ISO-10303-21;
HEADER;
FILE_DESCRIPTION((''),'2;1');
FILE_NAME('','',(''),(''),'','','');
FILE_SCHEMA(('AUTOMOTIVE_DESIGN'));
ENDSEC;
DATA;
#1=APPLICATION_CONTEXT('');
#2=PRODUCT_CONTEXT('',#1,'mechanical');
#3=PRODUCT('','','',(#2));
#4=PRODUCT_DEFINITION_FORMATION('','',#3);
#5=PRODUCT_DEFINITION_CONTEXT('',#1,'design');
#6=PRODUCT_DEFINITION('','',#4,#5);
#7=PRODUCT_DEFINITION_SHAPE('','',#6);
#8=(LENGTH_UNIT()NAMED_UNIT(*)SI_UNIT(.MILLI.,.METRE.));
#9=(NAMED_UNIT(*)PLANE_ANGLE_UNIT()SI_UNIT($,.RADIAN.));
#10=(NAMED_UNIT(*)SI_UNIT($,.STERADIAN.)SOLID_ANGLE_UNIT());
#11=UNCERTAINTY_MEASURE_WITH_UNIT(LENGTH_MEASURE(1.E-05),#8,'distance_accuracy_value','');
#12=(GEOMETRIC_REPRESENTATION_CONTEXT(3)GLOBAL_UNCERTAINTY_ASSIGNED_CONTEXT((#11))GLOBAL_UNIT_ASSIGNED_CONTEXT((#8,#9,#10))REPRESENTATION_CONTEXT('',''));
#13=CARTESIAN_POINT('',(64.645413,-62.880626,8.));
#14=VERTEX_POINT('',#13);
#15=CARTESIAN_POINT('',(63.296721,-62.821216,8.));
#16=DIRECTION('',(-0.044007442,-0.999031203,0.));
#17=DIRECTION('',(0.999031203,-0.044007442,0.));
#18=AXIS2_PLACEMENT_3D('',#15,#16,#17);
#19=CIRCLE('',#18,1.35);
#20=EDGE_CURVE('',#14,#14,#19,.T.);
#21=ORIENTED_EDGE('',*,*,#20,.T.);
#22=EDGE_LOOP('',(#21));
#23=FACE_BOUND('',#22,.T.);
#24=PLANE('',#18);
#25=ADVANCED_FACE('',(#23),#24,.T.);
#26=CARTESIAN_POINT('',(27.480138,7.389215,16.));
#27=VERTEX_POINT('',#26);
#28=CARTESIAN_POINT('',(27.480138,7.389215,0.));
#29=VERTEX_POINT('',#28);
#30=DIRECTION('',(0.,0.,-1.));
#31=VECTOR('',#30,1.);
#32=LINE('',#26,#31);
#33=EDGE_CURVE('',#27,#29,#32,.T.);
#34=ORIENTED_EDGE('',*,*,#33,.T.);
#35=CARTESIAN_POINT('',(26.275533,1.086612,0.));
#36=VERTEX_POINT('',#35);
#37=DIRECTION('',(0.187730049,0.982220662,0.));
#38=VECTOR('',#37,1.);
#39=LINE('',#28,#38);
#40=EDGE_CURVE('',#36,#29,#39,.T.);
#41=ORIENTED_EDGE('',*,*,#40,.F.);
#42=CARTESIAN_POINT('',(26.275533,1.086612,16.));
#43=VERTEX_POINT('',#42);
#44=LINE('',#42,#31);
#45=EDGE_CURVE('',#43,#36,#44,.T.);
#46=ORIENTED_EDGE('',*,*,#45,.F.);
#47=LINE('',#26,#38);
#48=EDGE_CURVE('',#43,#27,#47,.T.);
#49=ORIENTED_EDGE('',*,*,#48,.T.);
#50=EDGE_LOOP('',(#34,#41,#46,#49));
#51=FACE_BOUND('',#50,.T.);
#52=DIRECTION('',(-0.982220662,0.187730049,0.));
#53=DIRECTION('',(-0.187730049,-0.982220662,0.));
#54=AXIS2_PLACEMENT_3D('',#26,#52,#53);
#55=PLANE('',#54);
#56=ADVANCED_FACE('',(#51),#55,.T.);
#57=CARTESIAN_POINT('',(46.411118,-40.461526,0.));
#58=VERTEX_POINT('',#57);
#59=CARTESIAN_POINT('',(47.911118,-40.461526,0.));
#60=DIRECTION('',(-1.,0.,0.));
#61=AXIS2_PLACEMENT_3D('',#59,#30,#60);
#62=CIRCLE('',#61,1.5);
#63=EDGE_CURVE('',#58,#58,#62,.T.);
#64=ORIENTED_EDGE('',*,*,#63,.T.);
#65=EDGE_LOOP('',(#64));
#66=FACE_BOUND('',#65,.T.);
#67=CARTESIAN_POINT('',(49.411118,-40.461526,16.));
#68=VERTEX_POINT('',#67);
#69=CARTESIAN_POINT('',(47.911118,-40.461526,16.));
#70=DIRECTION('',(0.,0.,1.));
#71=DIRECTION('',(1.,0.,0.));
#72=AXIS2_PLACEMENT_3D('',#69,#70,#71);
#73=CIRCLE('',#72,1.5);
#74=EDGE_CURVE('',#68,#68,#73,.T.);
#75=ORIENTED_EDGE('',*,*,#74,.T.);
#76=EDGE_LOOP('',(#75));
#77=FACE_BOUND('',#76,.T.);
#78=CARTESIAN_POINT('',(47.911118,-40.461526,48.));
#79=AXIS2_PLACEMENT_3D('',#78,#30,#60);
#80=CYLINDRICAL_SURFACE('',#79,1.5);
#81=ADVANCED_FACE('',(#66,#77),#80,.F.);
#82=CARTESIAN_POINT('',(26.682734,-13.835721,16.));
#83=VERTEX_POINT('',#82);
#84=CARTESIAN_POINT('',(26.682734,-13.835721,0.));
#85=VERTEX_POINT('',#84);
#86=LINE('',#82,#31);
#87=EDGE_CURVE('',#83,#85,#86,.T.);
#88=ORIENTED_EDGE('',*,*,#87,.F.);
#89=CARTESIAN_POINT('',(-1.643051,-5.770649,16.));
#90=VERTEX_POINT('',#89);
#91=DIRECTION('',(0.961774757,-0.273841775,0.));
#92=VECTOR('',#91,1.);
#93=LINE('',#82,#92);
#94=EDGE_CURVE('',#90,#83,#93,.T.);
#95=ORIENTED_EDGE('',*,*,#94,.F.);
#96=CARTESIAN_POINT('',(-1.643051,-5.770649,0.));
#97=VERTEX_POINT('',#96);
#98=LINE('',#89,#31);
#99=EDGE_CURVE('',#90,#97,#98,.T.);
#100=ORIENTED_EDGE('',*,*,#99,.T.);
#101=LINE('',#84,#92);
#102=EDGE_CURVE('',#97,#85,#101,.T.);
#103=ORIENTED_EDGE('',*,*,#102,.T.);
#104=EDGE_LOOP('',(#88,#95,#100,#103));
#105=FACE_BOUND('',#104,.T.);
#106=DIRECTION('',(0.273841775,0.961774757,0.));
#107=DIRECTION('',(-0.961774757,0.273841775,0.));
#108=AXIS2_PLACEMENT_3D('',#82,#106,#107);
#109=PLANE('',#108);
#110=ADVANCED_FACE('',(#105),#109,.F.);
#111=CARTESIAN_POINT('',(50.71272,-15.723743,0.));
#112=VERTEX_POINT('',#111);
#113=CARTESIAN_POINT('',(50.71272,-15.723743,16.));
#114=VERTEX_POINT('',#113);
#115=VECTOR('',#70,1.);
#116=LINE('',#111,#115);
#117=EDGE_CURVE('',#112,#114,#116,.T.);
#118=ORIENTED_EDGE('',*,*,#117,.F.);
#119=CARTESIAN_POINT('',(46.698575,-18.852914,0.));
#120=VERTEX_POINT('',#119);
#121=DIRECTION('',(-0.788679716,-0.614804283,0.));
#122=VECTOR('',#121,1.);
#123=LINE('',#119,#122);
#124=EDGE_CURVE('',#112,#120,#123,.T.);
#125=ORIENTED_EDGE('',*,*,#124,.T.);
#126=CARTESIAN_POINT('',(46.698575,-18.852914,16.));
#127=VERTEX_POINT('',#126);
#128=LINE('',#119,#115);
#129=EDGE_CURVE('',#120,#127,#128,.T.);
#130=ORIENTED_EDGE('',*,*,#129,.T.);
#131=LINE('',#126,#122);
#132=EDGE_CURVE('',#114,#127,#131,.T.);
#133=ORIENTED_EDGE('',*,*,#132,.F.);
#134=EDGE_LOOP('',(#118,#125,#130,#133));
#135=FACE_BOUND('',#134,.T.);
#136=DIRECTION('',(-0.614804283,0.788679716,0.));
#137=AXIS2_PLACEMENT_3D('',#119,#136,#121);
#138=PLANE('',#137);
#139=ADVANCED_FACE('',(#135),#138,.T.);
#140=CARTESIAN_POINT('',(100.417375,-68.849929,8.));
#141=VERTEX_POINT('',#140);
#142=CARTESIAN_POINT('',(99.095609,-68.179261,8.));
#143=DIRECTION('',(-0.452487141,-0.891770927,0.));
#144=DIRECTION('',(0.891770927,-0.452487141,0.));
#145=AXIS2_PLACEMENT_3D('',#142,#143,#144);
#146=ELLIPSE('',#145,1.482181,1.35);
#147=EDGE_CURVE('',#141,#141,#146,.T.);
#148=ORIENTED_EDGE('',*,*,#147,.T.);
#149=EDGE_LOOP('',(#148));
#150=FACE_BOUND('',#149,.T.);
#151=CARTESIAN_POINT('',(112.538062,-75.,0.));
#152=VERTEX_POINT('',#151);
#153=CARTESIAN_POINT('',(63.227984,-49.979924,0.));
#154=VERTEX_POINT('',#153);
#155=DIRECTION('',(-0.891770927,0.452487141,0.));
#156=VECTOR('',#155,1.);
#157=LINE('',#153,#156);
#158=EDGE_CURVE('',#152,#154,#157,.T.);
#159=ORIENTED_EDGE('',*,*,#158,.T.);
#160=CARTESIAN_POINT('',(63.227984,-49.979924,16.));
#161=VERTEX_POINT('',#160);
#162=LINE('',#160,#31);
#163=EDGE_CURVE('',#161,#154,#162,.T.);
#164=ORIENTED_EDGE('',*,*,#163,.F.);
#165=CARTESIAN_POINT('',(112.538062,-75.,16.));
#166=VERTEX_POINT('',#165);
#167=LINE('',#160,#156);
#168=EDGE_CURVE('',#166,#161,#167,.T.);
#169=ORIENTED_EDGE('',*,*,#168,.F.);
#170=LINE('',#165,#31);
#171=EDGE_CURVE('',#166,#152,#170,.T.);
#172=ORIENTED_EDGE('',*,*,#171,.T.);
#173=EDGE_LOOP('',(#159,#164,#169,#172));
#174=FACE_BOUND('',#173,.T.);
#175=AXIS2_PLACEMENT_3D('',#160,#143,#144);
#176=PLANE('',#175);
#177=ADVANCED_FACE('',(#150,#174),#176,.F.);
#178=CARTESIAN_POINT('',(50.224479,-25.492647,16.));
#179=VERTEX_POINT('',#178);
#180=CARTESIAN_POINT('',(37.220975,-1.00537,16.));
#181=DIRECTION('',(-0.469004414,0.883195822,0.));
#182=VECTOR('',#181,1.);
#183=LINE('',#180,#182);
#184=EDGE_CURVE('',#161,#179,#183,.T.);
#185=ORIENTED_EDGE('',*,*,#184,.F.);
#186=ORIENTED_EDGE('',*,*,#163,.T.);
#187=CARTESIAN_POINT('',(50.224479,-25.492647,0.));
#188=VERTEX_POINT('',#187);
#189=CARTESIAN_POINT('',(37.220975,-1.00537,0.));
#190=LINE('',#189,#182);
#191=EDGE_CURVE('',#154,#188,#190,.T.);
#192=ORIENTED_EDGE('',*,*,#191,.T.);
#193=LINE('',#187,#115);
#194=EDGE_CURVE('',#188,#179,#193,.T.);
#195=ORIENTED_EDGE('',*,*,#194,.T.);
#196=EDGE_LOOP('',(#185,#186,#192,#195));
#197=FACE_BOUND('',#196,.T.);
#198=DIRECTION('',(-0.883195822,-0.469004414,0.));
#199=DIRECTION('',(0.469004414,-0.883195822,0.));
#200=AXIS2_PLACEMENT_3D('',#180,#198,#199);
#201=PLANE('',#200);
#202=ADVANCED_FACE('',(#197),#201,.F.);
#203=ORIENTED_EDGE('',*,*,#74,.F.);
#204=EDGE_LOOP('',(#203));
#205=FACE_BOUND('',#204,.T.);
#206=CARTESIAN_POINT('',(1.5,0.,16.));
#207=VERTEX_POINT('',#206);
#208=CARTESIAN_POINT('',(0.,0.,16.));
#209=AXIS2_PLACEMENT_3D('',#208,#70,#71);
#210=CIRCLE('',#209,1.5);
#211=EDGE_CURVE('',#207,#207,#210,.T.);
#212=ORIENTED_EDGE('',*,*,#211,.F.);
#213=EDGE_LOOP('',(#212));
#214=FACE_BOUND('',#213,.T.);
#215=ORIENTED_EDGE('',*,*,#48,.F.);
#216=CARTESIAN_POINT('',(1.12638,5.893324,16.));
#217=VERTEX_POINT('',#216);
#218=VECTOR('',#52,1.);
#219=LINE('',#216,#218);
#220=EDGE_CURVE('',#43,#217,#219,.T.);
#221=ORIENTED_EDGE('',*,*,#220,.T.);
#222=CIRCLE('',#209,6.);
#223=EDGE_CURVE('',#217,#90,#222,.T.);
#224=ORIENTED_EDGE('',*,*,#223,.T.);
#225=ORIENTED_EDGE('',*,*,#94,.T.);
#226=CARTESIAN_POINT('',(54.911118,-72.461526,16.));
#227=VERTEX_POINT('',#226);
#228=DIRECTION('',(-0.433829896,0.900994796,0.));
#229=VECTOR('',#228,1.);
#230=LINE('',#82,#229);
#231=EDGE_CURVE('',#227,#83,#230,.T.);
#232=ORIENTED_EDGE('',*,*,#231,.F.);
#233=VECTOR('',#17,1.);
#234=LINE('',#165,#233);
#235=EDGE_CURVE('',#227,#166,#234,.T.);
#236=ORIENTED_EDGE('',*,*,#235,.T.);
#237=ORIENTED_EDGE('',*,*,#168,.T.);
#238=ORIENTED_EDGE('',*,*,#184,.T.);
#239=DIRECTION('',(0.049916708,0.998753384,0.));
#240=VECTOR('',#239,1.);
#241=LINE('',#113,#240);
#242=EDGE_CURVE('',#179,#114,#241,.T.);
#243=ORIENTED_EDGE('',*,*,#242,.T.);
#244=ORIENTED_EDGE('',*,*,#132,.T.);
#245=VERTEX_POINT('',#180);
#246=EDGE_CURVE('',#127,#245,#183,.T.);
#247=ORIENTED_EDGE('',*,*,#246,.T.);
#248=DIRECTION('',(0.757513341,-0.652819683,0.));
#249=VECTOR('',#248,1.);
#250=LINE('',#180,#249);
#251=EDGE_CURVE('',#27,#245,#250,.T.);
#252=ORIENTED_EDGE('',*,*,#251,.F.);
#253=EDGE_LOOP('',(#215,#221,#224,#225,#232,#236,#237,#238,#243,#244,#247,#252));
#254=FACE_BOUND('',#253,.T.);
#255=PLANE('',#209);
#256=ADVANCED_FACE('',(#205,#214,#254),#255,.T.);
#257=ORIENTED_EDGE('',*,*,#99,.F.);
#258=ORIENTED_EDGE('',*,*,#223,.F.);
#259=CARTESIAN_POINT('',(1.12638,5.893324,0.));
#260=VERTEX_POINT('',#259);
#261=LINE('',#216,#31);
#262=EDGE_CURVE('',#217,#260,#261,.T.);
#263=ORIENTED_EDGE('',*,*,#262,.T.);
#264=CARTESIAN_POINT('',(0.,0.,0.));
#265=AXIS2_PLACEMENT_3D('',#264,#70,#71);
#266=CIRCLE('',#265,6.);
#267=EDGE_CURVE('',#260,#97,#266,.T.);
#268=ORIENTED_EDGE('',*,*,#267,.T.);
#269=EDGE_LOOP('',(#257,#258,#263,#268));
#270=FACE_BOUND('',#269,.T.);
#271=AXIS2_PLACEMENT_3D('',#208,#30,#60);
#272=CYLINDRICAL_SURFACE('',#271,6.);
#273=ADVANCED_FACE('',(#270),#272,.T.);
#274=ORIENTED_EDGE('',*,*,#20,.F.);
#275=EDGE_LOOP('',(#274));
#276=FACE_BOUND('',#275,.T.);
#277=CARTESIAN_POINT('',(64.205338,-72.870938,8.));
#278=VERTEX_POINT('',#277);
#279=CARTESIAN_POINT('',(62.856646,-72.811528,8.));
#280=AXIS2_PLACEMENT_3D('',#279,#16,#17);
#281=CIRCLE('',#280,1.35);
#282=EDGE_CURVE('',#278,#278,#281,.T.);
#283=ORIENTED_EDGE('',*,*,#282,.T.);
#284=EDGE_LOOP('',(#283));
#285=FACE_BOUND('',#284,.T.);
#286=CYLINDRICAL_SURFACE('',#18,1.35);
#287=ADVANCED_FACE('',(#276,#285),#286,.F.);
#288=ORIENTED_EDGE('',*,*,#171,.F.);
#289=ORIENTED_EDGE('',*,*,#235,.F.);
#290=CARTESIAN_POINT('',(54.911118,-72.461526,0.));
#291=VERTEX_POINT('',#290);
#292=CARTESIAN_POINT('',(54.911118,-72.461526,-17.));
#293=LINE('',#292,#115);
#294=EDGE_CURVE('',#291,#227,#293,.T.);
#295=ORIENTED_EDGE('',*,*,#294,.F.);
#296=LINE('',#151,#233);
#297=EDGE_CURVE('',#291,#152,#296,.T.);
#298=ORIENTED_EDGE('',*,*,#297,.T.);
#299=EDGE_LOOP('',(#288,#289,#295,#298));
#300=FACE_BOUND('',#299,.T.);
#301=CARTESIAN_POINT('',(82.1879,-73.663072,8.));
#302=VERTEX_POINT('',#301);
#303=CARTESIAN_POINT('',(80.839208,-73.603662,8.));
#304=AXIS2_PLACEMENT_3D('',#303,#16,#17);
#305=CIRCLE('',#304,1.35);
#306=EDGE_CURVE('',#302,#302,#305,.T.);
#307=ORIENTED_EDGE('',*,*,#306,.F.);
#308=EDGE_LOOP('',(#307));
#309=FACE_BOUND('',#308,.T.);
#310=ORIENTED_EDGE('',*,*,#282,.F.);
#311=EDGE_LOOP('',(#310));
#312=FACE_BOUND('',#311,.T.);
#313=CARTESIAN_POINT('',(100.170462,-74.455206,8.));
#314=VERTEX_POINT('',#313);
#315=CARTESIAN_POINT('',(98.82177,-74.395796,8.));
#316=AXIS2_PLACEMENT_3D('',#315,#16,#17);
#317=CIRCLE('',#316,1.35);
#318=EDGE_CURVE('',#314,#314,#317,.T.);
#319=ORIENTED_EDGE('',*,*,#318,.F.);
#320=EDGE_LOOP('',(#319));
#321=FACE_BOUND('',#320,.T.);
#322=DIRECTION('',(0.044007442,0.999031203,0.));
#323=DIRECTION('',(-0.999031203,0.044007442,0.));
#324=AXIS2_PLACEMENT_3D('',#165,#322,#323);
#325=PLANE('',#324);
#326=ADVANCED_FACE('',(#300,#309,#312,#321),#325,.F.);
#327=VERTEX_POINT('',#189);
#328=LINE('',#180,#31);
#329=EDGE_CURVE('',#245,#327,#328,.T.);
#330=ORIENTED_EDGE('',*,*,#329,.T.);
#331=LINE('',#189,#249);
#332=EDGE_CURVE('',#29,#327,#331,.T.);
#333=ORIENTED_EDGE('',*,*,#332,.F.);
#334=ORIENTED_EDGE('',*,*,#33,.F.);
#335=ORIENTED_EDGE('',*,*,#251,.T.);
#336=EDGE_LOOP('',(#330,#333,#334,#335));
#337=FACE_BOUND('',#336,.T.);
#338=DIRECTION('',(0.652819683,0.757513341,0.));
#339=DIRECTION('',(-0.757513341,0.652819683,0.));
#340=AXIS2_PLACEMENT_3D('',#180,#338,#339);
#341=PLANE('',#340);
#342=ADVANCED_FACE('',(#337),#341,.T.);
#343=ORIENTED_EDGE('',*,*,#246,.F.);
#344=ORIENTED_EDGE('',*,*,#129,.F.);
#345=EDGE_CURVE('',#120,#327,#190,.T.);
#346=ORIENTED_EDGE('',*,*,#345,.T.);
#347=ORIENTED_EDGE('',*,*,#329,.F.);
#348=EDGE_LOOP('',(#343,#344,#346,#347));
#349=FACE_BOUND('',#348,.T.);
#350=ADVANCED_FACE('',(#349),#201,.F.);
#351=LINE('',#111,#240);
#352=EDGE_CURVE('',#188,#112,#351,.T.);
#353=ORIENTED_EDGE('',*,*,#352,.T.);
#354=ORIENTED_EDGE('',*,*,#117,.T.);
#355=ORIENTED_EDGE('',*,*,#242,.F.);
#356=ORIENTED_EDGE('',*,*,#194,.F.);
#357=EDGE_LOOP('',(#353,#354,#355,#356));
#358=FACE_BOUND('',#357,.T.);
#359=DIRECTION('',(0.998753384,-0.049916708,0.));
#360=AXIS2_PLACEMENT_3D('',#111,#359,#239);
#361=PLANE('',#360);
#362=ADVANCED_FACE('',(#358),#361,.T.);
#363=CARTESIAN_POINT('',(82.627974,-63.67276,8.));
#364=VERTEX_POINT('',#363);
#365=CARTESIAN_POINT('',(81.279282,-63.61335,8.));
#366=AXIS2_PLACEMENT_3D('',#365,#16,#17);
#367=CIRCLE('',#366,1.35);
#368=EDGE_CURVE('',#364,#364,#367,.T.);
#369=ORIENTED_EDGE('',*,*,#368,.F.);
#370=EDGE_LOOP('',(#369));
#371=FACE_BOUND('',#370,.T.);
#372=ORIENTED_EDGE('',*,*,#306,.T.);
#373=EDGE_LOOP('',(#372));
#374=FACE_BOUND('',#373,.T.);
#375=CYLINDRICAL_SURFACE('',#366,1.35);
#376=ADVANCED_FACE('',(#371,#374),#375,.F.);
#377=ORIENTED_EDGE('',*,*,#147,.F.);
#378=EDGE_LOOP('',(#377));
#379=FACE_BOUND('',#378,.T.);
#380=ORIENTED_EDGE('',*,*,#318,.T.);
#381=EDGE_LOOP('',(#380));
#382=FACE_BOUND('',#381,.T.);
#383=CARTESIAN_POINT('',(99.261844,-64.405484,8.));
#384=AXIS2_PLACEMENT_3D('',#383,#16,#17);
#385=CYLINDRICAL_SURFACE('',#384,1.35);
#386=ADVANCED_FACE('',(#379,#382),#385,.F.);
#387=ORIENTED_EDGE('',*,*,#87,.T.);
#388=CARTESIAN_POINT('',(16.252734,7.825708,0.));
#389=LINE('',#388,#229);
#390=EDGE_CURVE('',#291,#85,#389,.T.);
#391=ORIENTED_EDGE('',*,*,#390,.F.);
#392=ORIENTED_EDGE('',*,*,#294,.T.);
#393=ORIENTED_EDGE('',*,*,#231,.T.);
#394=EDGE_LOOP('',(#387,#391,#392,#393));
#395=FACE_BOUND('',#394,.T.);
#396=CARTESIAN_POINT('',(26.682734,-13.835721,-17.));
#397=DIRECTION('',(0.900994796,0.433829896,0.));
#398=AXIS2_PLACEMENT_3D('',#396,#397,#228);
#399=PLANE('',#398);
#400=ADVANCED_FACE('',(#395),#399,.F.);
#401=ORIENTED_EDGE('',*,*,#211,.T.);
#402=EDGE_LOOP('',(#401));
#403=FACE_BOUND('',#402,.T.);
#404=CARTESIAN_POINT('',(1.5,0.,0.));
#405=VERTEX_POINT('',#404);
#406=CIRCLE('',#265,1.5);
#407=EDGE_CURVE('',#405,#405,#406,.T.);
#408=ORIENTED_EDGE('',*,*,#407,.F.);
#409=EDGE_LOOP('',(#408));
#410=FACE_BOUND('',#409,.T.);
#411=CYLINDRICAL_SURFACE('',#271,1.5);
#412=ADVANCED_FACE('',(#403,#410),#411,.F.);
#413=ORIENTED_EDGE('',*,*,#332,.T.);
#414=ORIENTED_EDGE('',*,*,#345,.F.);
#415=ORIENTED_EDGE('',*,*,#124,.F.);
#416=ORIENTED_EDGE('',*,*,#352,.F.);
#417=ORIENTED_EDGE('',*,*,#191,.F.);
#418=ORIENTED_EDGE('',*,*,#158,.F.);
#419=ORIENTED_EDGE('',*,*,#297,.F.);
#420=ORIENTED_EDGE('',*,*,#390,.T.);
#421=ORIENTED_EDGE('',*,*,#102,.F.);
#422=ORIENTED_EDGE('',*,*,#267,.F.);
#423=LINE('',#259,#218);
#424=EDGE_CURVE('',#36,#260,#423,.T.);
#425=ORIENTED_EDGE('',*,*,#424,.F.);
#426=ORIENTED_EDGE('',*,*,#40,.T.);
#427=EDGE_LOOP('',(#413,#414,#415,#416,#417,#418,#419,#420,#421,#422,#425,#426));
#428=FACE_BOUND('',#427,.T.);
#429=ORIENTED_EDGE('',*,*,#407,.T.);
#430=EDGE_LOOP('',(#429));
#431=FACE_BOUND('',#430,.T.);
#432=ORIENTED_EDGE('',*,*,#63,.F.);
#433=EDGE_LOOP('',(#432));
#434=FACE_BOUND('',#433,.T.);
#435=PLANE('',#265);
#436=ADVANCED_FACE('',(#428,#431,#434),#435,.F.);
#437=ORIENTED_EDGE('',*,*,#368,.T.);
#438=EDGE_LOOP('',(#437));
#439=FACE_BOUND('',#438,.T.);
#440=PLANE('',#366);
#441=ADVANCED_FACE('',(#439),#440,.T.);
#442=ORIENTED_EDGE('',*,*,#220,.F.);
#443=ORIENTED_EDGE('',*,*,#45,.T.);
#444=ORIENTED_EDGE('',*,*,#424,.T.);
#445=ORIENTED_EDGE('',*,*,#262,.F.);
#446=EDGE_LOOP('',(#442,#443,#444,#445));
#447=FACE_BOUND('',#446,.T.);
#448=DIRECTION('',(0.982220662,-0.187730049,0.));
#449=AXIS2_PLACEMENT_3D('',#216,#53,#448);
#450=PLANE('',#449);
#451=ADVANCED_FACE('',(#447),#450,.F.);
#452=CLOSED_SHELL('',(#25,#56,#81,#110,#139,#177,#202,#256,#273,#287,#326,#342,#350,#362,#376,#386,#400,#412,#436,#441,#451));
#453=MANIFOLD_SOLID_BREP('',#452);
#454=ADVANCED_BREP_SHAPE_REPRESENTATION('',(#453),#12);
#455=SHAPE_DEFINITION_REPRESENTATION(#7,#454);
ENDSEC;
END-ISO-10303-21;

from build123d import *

# Parameters (mm, degrees)
SKETCH_1_R          = 1.5
EXTRUDE_1_DEPTH     = 16
SKETCH_2_R          = 1.35
CUT_EXTRUDE_1_DEPTH = 10
CUT_EXTRUDE_2_DEPTH = 33
EXTRUDE_3_DEPTH     = 16
SKETCH_6_R          = 1.5
CUT_EXTRUDE_3_DEPTH = 48
EXTRUDE_4_DEPTH     = 16


with BuildPart() as part:
    # 草图1 → 凸台-拉伸1 (new body)
    with BuildSketch(Plane.XY):
        with BuildLine():
            Line((1.126380295, 5.893323971), (37.220974686, -1.005370225))
            Line((37.220974686, -1.005370225), (63.227984205, -49.979924472))
            Line((63.227984205, -49.979924472), (112.538061605, -75))
            Line((112.538061605, -75), (53.330616959, -72.391905084))
            Line((53.330616959, -72.391905084), (49.915441771, -64.88738307))
            Line((49.915441771, -64.88738307), (26.682733599, -13.835720919))
            Line((26.682733599, -13.835720919), (-1.643050648, -5.77064854))
            ThreePointArc((-1.643050648, -5.77064854), (-5.837705093, 1.386073321), (1.126380295, 5.893323971))
        make_face()
        Circle(SKETCH_1_R, mode=Mode.SUBTRACT)
    extrude(amount=EXTRUDE_1_DEPTH)

    # 草图2 → 切除-拉伸1 (cut)
    with BuildSketch(Plane(origin=(-3.079413203, -69.907036606, 0), x_dir=(0.9990312032291818, -0.044007442262116094, 0), z_dir=(-0.044007442262116094, -0.9990312032291818, 0))):
        with Locations((66, 8)):
            Circle(SKETCH_2_R)
        with Locations((102, 8)):
            Circle(SKETCH_2_R)
        with Locations((84, 8)):
            Circle(SKETCH_2_R)
    extrude(amount=-CUT_EXTRUDE_1_DEPTH, mode=Mode.SUBTRACT)

    # 草图3 → 切除-拉伸2 (cut)
    with BuildSketch(Plane.XY.offset(16)):
        Polygon((26.682733599, -13.835720919), (54.911117554, -72.461526322), (53.330616959, -72.391905084), align=None)
    extrude(amount=-CUT_EXTRUDE_2_DEPTH, mode=Mode.SUBTRACT)

    # 草图5 → 凸台-拉伸3 (add)
    with BuildSketch(Plane(origin=(0, 0, 0), x_dir=(-1, 0, 0), z_dir=(0, 0, -1))):
        Polygon((-37.220974686, -1.005370225), (-27.480137518, 7.389214918), (-26.275532527, 1.086612233), align=None)
    extrude(amount=-EXTRUDE_3_DEPTH)

    # 草图6 → 切除-拉伸3 (cut)
    with BuildSketch(Plane(origin=(0, 0, 0), x_dir=(-1, 0, 0), z_dir=(0, 0, -1))):
        with Locations((-47.911117554, -40.461526322)):
            Circle(SKETCH_6_R)
    extrude(amount=-CUT_EXTRUDE_3_DEPTH, mode=Mode.SUBTRACT)

    # 草图7 → 凸台-拉伸4 (add)
    with BuildSketch(Plane.XY.offset(16)):
        Polygon((46.698574744, -18.852913898), (50.712719625, -15.723743191), (50.224479445, -25.492647349), align=None)
    extrude(amount=-EXTRUDE_4_DEPTH)


solid = part.part
